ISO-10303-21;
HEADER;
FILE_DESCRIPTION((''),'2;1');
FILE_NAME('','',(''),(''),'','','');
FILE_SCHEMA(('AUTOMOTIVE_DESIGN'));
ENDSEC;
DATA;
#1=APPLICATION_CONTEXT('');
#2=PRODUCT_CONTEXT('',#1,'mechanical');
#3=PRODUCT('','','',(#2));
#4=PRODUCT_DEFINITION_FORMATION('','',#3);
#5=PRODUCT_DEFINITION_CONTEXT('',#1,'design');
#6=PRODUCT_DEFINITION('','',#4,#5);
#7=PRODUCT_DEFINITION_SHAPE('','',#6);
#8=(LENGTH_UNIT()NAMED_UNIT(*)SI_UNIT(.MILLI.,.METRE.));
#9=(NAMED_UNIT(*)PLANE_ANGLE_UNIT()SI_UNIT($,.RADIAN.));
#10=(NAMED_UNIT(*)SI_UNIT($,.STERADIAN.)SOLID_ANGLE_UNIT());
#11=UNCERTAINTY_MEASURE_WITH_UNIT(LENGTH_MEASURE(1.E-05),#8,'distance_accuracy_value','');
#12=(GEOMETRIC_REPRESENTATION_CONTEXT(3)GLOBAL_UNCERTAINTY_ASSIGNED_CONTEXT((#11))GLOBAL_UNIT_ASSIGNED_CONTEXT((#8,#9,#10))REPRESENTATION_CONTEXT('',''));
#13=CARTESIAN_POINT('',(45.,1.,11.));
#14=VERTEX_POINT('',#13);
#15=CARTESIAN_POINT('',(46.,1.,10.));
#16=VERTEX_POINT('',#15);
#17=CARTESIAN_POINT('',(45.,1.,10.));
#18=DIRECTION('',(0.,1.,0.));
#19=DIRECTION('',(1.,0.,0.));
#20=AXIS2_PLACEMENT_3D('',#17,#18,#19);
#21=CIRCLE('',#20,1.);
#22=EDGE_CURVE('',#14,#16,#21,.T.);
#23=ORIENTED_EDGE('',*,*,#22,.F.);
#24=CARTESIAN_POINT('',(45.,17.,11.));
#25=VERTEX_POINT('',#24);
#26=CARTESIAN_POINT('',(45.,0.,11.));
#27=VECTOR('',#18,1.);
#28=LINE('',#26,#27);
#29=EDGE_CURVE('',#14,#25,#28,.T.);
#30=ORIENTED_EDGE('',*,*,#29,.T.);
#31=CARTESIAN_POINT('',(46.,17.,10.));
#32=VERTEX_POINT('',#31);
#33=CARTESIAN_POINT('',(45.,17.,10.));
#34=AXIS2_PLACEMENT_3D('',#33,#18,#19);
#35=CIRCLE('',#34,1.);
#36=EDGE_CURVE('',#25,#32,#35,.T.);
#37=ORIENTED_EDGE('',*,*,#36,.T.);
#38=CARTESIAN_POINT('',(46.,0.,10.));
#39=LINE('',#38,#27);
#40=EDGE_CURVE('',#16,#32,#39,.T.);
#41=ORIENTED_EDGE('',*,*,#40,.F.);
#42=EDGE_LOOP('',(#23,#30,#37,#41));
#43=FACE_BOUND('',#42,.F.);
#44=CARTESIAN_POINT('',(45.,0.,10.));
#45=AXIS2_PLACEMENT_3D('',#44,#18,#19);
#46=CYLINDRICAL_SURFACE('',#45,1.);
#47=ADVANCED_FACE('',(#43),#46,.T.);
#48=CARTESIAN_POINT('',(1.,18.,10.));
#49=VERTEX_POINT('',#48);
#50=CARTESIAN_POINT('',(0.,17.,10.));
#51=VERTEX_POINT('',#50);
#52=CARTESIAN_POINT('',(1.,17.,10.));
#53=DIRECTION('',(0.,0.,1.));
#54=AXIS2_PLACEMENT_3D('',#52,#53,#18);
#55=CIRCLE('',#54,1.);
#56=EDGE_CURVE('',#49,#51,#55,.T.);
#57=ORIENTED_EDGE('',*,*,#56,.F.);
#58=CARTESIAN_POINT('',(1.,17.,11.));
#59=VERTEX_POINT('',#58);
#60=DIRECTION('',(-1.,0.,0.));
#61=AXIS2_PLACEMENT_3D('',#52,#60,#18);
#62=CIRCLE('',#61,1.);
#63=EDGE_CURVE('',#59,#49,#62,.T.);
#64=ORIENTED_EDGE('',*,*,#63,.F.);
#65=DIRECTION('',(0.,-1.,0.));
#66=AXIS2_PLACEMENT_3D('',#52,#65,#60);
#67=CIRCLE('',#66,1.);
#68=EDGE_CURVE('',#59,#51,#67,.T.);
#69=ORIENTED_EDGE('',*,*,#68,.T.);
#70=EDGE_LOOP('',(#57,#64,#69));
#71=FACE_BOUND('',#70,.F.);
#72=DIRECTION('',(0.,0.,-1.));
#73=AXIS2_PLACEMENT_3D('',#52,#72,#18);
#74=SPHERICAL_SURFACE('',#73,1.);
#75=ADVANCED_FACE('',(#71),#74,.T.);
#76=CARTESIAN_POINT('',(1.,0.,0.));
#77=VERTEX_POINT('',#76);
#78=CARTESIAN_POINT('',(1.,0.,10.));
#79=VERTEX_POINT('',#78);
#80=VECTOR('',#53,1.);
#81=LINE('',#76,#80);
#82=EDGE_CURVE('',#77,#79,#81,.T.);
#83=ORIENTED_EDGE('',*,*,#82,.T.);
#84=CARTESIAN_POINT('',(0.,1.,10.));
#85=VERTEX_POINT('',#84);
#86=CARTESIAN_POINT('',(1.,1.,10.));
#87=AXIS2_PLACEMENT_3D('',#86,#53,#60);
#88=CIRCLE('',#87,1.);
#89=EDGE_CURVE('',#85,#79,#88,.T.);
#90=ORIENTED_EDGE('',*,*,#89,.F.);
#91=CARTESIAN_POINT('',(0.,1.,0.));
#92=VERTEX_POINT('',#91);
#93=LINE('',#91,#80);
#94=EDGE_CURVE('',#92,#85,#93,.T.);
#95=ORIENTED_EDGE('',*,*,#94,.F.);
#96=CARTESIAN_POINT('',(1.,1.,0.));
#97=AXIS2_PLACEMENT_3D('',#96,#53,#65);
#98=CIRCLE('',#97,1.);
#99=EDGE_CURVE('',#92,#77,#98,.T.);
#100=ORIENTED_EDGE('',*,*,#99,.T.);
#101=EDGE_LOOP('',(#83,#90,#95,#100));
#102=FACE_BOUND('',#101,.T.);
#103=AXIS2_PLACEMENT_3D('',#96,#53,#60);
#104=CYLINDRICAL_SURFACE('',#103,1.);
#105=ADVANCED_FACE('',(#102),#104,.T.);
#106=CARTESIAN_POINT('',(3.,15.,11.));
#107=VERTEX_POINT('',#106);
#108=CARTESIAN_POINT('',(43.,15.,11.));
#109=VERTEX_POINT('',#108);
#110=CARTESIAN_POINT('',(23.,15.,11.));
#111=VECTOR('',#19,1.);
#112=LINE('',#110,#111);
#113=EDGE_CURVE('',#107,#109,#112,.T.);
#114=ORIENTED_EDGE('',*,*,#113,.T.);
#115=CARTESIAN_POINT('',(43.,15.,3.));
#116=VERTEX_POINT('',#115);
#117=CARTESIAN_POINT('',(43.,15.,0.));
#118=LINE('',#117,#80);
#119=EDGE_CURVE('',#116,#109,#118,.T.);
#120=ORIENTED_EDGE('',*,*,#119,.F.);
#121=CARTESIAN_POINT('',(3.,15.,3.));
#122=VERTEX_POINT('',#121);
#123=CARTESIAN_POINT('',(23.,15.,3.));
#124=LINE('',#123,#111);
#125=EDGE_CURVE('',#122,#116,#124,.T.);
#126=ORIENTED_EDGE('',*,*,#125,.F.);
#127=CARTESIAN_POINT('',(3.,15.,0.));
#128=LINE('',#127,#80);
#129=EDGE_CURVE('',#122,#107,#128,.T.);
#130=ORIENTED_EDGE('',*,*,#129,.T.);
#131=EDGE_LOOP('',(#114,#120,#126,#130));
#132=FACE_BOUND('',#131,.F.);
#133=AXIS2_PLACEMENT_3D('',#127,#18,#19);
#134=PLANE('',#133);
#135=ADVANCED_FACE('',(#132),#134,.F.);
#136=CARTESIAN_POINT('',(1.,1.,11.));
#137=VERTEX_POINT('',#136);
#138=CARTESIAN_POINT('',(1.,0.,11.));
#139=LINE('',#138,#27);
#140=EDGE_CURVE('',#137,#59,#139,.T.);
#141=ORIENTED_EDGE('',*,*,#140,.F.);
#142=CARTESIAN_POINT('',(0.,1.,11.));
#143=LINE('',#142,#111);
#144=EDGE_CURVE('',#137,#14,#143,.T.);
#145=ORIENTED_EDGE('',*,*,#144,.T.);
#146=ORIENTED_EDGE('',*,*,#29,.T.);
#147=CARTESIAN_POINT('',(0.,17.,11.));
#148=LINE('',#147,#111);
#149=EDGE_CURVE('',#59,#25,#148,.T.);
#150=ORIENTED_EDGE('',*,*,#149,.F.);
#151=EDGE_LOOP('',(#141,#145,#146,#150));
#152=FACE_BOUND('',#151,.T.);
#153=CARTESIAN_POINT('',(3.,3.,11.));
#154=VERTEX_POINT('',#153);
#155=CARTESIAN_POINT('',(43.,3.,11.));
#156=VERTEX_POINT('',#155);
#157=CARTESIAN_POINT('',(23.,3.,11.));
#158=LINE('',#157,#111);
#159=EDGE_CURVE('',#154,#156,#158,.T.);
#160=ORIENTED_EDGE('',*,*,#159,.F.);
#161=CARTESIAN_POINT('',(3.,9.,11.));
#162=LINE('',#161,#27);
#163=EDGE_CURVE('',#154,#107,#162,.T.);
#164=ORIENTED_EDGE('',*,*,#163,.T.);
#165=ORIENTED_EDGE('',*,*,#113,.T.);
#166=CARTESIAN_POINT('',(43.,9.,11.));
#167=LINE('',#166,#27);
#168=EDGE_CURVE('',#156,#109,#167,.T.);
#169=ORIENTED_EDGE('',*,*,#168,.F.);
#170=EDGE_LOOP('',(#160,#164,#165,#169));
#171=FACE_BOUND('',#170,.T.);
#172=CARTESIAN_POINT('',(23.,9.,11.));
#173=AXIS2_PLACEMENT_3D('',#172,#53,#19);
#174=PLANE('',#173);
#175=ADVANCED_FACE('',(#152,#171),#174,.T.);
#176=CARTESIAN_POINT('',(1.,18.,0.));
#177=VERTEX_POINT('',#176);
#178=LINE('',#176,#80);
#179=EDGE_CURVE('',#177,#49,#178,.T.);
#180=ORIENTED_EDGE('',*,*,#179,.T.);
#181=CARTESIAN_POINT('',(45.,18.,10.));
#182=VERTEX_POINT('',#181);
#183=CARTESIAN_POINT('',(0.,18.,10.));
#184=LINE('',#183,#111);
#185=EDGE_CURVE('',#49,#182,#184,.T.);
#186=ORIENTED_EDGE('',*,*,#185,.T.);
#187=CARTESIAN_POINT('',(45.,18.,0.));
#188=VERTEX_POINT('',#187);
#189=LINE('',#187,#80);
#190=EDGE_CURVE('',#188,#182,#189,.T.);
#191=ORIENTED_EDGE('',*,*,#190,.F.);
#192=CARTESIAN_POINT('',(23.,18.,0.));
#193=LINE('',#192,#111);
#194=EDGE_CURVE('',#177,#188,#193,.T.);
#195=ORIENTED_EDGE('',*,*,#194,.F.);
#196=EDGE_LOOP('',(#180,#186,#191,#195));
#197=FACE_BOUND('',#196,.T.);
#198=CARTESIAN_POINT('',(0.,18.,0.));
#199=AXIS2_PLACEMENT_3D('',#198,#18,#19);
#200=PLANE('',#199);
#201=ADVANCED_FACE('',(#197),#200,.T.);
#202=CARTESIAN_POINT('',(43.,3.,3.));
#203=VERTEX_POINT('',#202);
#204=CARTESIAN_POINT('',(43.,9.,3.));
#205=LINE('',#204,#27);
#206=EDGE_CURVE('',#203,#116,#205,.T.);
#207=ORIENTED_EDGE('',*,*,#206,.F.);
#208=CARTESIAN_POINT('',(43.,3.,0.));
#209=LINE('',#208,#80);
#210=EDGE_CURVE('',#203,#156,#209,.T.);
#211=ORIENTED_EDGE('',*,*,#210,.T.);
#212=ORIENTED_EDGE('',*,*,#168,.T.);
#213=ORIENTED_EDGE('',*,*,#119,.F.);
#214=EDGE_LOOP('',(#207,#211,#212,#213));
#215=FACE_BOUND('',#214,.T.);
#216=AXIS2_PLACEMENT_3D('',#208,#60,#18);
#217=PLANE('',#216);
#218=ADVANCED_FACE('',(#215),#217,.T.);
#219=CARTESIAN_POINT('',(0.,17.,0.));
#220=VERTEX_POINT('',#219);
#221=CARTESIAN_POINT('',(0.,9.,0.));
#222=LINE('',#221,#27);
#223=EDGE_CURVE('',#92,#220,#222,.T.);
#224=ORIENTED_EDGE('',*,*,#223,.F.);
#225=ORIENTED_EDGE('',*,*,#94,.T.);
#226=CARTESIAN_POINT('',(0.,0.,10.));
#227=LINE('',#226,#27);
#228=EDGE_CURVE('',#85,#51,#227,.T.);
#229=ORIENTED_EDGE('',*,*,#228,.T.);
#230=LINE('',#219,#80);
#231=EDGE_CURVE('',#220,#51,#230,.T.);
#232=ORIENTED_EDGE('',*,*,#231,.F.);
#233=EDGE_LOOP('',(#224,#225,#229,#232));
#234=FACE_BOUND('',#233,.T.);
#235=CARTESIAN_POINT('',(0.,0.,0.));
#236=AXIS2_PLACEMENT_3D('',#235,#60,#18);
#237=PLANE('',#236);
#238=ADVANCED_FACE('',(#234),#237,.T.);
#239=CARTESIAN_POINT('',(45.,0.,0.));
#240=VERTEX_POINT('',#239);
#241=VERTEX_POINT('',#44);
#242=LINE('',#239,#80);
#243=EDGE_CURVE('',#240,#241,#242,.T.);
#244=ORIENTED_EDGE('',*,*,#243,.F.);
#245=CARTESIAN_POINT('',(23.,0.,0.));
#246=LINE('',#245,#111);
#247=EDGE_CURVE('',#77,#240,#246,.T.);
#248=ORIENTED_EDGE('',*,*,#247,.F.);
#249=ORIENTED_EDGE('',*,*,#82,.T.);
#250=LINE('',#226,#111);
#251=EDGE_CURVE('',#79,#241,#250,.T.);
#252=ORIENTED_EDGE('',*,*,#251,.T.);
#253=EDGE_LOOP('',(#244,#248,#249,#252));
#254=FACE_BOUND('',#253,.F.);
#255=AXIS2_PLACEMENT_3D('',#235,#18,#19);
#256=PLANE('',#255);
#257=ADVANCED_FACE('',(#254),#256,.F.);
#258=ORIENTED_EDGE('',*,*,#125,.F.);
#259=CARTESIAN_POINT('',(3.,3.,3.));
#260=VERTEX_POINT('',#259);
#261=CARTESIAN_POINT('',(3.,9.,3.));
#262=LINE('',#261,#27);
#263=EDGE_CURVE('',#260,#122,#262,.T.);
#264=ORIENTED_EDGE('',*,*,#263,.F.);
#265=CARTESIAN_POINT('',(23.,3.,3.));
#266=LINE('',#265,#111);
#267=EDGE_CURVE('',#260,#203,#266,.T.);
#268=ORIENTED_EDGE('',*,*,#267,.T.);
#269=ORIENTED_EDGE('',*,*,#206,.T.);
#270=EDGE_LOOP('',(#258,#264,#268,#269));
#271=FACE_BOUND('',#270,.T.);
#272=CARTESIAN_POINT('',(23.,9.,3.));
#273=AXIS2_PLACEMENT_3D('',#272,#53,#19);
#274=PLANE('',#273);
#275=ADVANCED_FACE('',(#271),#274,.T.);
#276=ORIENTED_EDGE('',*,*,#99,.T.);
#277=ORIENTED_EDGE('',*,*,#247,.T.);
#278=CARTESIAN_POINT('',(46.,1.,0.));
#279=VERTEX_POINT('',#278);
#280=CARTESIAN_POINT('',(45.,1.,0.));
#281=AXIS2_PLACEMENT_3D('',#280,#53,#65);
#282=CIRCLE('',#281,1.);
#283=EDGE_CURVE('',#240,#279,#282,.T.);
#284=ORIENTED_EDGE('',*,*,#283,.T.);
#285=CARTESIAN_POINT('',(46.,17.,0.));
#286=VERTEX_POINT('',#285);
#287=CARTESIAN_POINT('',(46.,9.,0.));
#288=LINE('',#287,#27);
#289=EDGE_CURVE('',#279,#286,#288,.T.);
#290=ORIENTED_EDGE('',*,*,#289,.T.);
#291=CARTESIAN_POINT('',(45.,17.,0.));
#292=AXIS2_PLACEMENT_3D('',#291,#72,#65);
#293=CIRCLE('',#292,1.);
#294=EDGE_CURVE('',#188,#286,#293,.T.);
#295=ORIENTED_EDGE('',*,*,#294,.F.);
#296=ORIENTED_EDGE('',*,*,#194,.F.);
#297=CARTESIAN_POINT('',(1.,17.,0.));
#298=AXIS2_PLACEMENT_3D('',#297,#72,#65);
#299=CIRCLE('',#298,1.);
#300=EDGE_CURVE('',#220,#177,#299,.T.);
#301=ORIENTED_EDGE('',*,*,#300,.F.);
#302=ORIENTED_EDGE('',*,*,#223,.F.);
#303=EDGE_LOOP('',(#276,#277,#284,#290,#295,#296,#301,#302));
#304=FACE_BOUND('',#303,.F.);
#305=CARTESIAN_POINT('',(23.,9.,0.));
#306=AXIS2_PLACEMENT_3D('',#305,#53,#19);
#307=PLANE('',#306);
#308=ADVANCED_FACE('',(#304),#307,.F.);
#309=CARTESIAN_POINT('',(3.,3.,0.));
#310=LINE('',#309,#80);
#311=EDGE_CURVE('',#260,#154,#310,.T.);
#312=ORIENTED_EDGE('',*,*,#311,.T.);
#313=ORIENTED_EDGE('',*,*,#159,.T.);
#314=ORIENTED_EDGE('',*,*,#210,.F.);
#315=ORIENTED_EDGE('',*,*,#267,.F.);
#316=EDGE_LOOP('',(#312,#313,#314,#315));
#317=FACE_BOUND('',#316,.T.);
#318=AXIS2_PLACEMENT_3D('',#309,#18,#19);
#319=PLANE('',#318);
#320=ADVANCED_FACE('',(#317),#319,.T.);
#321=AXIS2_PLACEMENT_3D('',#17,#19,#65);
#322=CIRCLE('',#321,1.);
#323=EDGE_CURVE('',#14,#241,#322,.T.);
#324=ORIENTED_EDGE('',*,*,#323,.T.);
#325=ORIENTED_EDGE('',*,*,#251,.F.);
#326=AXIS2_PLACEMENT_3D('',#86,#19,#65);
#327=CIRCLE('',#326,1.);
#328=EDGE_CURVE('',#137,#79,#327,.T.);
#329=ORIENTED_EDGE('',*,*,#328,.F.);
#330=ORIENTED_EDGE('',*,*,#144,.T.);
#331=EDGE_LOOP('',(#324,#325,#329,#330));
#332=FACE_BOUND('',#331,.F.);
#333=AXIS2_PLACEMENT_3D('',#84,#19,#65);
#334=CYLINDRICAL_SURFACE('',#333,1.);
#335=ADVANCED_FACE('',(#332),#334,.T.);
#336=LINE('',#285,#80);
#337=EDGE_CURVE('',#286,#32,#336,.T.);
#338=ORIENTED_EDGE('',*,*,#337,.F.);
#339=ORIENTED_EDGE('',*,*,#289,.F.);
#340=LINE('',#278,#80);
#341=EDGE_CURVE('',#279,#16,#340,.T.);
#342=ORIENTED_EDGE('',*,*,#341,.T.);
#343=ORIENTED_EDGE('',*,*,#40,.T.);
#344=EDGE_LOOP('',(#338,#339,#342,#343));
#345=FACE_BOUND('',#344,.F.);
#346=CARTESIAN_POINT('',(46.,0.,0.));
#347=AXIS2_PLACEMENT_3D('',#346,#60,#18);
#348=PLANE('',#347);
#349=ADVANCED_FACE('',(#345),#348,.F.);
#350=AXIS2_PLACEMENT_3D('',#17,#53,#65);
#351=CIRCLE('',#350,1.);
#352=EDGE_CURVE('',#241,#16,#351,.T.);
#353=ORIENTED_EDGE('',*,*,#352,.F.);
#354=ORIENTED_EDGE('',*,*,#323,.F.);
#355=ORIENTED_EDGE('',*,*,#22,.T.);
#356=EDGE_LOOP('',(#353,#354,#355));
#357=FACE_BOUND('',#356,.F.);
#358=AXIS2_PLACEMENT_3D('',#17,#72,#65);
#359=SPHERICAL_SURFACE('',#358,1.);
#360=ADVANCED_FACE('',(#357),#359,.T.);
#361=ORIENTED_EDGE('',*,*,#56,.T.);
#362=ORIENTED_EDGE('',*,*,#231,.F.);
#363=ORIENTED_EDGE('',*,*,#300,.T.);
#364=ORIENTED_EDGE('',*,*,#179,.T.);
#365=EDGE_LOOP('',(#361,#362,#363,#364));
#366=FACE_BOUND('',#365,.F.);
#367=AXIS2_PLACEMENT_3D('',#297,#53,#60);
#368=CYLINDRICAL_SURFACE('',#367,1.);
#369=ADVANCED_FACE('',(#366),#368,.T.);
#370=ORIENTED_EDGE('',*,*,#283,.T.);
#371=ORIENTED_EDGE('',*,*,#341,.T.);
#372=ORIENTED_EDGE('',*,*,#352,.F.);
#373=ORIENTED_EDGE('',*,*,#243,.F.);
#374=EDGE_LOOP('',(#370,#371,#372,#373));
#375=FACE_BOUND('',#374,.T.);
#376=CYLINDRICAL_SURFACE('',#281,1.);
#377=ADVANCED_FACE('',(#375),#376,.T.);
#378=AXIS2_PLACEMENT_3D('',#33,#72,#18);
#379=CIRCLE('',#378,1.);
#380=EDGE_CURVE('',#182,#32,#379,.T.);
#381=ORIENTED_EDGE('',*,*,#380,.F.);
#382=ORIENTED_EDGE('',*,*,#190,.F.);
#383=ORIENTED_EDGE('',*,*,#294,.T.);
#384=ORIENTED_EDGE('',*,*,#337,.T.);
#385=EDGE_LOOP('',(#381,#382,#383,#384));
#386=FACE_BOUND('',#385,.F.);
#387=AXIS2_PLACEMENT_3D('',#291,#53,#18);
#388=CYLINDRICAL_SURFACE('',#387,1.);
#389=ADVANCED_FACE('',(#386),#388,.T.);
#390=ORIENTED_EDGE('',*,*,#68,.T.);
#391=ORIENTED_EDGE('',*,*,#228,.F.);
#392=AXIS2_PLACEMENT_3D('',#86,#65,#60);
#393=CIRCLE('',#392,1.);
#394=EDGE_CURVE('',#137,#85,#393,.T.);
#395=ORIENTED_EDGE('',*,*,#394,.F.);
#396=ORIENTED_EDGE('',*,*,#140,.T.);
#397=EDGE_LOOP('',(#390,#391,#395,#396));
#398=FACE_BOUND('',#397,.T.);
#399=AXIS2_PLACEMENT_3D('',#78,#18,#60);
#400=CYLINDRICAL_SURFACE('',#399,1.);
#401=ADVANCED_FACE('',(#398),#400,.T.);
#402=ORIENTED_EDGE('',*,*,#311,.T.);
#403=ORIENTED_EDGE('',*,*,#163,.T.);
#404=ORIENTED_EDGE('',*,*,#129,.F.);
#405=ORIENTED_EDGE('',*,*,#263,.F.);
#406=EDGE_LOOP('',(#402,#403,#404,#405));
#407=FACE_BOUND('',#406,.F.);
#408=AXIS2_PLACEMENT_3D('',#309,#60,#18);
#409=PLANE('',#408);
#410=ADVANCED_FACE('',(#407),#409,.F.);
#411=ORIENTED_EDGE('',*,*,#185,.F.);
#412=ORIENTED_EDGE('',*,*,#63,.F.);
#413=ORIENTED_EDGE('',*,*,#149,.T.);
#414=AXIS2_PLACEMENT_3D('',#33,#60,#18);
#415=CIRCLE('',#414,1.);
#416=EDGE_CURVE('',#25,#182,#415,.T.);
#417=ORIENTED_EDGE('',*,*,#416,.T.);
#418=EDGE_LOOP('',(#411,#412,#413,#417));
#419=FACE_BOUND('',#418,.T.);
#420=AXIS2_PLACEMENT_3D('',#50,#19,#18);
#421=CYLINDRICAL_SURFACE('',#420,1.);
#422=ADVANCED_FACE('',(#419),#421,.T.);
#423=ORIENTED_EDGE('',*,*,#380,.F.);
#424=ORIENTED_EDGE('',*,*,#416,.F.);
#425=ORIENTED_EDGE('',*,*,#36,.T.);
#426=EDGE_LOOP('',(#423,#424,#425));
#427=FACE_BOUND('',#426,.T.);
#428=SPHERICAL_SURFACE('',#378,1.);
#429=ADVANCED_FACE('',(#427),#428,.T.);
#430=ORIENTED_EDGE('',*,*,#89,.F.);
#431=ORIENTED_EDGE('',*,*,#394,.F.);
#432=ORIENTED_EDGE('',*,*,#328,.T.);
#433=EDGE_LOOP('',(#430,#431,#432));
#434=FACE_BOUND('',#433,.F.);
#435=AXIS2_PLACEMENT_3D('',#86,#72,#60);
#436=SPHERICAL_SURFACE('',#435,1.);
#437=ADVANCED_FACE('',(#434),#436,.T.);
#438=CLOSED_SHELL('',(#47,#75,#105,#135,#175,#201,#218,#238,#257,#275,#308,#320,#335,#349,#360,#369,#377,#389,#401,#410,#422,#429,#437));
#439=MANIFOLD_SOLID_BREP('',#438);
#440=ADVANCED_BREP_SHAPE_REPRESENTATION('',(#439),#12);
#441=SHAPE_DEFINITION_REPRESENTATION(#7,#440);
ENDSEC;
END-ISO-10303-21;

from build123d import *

# Parameters (mm, degrees)
F0_W     = 46
F0_H     = 18
F0_W_2   = 40
F0_H_2   = 12
F1_DEPTH = 11
F2_W     = 40
F2_H     = 12
F3_DEPTH = 3
F4_R     = 1


with BuildPart() as f1:
    # F0 (on Top) → F1 (new body)
    with BuildSketch(Plane.XY):
        with Locations((23, 9)):
            Rectangle(F0_W, F0_H)
        with Locations((23, 9)):
            Rectangle(F0_W_2, F0_H_2, mode=Mode.SUBTRACT)
    extrude(amount=F1_DEPTH)

    # F2 (on Top) → F3 (join)
    with BuildSketch(Plane.XY):
        with Locations((23, 9)):
            Rectangle(F2_W, F2_H)
    extrude(amount=F3_DEPTH)

    # F4
    f4_edges = [f1.edges().sort_by_distance(p)[0] for p in [
        (46, 18, 5.5),
        (46, 0, 5.5),
        (0, 0, 5.5),
        (0, 18, 5.5),
        (23, 18, 11),
        (0, 9, 11),
        (23, 0, 11),
        (46, 9, 11),
    ]]
    fillet(f4_edges, radius=F4_R)


solid = f1.part
